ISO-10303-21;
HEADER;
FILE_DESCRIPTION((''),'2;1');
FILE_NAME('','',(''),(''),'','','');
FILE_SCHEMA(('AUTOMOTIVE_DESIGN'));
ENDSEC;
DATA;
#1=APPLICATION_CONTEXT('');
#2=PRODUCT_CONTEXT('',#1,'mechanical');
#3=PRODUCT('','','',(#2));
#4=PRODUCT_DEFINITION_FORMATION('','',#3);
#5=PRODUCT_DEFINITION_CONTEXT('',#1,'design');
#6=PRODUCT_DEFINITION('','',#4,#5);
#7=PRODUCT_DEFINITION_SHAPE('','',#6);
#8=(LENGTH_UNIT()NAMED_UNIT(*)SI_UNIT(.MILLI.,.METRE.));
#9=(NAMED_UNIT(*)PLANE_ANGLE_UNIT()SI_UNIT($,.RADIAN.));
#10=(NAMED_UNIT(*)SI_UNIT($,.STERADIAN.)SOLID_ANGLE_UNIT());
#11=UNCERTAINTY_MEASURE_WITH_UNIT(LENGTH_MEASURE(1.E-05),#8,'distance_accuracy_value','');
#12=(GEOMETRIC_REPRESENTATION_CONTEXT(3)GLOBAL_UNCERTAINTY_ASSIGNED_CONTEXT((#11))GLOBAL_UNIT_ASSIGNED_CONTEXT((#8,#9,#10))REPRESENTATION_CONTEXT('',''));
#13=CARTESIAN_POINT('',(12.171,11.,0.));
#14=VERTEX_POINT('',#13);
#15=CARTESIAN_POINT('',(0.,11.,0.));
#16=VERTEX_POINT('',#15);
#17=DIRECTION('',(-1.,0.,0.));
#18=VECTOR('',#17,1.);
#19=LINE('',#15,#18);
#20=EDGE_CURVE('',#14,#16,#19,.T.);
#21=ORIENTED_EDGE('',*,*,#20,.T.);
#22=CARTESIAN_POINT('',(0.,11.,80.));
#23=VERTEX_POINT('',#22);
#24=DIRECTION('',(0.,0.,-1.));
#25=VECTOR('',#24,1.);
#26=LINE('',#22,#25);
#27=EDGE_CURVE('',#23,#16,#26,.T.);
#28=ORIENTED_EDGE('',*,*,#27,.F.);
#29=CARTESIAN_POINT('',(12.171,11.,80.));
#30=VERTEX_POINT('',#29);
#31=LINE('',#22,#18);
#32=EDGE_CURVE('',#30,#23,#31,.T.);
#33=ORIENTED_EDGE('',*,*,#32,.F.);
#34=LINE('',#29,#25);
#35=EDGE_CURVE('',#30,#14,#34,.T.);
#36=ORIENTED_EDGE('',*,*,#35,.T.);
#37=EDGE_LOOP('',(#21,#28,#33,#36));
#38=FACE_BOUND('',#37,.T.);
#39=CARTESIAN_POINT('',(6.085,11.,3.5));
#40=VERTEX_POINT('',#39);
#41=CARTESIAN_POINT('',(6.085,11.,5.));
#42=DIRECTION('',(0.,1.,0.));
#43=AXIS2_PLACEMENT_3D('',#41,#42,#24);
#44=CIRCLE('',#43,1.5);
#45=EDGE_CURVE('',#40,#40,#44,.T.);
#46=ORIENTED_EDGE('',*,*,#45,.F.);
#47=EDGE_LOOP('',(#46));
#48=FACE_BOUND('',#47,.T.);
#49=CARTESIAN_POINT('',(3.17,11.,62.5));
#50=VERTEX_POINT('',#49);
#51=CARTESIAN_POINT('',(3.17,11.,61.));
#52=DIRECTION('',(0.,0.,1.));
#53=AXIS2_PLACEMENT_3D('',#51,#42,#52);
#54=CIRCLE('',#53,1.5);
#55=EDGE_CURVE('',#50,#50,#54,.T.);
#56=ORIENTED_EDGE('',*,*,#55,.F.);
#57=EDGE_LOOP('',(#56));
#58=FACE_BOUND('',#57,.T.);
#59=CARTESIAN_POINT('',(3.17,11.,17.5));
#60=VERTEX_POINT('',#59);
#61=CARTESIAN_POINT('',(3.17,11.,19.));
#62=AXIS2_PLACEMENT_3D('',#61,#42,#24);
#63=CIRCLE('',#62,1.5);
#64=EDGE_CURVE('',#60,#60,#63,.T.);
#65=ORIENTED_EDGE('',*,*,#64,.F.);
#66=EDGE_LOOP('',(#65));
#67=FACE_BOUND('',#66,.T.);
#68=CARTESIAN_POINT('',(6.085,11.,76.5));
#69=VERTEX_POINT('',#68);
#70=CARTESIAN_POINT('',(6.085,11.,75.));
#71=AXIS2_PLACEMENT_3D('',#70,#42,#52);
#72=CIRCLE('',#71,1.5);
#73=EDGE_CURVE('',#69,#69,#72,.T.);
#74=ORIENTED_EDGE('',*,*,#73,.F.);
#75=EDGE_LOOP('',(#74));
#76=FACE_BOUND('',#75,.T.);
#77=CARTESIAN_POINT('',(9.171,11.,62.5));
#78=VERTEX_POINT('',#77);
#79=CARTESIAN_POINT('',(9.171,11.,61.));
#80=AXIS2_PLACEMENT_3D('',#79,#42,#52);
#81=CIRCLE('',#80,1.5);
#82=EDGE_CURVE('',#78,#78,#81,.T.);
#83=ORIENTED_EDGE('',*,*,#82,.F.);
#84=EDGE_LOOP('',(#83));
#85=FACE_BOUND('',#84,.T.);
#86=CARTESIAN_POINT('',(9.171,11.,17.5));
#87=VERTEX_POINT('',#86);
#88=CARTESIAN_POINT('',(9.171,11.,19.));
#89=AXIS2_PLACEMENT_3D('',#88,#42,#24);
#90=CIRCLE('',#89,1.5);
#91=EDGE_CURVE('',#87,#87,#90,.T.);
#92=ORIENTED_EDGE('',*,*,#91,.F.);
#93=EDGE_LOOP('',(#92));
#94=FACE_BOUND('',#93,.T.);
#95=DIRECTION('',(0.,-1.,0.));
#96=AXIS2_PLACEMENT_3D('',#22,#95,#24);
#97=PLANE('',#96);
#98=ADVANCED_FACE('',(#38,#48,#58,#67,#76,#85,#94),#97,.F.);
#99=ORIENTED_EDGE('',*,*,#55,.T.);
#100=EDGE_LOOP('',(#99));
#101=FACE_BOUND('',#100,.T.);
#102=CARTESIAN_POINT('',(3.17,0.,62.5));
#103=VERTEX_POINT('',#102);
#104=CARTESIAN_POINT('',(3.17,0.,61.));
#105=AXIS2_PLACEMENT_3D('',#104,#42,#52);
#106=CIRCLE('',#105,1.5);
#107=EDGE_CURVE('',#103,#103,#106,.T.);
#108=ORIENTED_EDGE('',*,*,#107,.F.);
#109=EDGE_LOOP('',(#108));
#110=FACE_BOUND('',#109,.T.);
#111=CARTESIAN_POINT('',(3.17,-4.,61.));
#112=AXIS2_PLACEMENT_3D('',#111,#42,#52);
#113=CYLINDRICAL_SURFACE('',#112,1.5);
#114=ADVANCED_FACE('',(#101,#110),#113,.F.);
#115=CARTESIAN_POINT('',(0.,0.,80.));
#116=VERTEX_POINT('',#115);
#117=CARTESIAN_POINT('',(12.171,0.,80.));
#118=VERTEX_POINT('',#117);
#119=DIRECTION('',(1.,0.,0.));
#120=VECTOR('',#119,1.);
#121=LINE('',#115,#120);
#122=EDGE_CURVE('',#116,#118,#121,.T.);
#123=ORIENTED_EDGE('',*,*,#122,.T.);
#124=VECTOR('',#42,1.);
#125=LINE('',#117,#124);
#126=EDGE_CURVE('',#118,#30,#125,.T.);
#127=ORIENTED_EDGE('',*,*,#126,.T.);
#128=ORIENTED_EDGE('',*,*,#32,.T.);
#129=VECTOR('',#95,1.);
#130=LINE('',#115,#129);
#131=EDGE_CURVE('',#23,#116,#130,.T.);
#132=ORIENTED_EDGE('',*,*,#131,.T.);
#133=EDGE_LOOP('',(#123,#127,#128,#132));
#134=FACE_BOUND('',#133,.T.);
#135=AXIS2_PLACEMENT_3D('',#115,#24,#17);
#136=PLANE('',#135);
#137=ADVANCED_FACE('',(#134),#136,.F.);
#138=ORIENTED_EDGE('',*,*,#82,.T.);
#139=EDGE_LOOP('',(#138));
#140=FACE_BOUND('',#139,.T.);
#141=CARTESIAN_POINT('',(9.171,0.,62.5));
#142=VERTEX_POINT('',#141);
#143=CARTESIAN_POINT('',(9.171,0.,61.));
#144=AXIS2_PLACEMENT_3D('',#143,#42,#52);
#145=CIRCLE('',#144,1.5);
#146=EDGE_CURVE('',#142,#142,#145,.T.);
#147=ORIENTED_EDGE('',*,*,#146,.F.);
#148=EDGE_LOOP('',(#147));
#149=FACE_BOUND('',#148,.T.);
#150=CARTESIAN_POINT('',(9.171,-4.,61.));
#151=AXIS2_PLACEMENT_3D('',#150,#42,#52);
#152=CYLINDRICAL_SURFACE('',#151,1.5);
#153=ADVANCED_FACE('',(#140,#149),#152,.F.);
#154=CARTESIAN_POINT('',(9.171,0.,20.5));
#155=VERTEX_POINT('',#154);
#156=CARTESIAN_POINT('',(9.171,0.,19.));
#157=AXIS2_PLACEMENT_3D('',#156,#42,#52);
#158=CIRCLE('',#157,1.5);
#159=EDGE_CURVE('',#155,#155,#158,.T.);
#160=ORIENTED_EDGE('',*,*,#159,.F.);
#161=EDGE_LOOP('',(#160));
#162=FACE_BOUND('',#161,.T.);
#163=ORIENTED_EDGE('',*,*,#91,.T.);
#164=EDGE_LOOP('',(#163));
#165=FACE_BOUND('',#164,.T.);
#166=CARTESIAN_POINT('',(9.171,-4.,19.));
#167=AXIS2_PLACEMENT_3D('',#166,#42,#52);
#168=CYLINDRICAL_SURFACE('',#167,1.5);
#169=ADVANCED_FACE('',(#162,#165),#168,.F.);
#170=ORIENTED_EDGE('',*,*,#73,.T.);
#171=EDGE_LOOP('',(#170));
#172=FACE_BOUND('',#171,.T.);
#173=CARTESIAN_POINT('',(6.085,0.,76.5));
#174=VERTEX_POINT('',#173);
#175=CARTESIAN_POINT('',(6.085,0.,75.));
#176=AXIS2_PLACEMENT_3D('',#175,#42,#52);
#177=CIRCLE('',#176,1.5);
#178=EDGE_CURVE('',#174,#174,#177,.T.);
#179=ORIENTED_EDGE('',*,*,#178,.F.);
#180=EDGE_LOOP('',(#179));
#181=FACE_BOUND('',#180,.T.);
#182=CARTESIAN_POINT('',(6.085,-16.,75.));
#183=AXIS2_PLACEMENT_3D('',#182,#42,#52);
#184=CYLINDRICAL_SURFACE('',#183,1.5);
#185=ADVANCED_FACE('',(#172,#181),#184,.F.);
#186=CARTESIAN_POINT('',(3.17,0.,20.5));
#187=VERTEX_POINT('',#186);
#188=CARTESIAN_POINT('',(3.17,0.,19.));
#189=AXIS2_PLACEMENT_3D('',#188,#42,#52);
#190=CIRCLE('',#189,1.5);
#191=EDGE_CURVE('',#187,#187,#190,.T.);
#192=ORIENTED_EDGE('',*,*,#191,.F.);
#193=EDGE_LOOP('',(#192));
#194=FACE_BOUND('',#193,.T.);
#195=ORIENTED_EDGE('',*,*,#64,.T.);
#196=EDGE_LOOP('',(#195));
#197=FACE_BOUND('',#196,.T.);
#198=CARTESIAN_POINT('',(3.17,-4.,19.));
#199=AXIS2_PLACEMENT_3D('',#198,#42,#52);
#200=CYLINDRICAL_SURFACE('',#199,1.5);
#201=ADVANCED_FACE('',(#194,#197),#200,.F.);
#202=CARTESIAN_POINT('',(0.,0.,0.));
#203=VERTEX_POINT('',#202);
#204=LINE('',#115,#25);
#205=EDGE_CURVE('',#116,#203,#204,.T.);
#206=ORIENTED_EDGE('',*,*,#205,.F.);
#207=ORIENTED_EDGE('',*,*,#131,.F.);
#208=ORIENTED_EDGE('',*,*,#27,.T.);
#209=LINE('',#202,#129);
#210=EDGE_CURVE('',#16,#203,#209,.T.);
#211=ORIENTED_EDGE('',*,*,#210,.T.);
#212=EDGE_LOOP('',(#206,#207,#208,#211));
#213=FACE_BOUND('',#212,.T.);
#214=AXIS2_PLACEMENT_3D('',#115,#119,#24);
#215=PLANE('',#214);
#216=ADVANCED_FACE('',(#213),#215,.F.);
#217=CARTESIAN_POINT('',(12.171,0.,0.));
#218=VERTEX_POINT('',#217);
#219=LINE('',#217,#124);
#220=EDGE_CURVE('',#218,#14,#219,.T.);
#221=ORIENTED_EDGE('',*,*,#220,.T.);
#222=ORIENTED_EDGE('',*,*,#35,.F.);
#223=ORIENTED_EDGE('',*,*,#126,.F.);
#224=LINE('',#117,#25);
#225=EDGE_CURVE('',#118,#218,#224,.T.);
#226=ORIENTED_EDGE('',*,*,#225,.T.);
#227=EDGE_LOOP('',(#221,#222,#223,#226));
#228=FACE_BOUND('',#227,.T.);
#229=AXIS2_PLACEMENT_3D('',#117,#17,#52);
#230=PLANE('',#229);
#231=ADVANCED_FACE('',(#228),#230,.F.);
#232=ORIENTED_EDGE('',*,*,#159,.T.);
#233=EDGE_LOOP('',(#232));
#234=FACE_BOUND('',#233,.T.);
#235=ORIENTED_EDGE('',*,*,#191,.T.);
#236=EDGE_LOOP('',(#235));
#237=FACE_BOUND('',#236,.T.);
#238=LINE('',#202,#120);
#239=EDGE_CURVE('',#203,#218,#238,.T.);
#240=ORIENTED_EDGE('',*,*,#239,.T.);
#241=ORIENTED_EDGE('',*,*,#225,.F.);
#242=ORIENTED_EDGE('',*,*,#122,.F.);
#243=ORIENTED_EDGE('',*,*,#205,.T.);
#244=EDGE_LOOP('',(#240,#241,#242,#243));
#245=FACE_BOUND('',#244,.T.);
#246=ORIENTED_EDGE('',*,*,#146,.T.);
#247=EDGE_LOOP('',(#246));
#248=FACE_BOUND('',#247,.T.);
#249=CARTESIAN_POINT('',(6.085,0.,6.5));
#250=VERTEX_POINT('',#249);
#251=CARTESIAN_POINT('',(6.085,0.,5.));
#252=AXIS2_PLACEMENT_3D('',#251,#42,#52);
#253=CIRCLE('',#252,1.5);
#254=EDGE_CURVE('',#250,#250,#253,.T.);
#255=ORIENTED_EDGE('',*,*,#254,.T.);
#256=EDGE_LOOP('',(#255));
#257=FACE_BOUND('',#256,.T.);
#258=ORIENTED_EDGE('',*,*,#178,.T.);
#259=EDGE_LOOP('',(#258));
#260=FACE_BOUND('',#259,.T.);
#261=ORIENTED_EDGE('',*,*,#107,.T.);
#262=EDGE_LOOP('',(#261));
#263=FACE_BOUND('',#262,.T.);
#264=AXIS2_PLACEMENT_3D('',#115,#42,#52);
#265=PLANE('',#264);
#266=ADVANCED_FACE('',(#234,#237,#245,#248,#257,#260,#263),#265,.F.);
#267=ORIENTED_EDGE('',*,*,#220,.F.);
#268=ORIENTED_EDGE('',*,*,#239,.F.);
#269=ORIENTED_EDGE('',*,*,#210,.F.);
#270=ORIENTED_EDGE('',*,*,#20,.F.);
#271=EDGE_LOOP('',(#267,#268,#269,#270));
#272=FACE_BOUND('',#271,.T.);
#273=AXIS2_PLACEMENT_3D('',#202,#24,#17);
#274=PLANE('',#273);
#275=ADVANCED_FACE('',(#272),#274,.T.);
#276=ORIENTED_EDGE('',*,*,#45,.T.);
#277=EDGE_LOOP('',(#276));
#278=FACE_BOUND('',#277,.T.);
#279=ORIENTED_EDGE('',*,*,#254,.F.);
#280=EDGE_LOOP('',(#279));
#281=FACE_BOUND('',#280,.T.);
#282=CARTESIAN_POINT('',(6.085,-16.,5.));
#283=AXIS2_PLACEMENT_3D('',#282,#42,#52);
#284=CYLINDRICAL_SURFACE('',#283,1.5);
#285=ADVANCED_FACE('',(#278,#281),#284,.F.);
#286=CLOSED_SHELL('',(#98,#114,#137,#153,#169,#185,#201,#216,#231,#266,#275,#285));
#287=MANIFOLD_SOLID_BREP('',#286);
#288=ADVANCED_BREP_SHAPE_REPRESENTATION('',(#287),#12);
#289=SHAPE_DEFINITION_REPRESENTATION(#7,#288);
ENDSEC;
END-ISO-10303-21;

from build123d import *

# Parameters (mm, degrees)
SKETCH1_W           = 12.171
SKETCH1_H           = 11
BOSS_EXTRUDE1_DEPTH = 80
SKETCH2_R           = 1.5
CUT_EXTRUDE1_DEPTH  = 15
SKETCH4_R           = 1.5
CUT_EXTRUDE2_DEPTH  = 27


with BuildPart() as part:
    # Sketch1 → Boss-Extrude1 (new body)
    with BuildSketch(Plane.XY):
        with Locations((6.0855, 5.5)):
            Rectangle(SKETCH1_W, SKETCH1_H)
    extrude(amount=BOSS_EXTRUDE1_DEPTH)

    # Sketch2 → Cut-Extrude1 (cut)
    with BuildSketch(Plane(origin=(0, 11, 0), x_dir=(1, 0, 0), z_dir=(0, 1, 0))):
        with Locations((3.17, -61)):
            Circle(SKETCH2_R)
        with Locations((9.171, -61)):
            Circle(SKETCH2_R)
        with Locations((3.17, -19)):
            Circle(SKETCH2_R)
        with Locations((9.171, -19)):
            Circle(SKETCH2_R)
    extrude(amount=-CUT_EXTRUDE1_DEPTH, mode=Mode.SUBTRACT)

    # Sketch4 → Cut-Extrude2 (cut)
    with BuildSketch(Plane(origin=(0, 11, 0), x_dir=(1, 0, 0), z_dir=(0, 1, 0))):
        with Locations((6.085, -75)):
            Circle(SKETCH4_R)
        with Locations((6.085, -5)):
            Circle(SKETCH4_R)
    extrude(amount=-CUT_EXTRUDE2_DEPTH, mode=Mode.SUBTRACT)


solid = part.part
